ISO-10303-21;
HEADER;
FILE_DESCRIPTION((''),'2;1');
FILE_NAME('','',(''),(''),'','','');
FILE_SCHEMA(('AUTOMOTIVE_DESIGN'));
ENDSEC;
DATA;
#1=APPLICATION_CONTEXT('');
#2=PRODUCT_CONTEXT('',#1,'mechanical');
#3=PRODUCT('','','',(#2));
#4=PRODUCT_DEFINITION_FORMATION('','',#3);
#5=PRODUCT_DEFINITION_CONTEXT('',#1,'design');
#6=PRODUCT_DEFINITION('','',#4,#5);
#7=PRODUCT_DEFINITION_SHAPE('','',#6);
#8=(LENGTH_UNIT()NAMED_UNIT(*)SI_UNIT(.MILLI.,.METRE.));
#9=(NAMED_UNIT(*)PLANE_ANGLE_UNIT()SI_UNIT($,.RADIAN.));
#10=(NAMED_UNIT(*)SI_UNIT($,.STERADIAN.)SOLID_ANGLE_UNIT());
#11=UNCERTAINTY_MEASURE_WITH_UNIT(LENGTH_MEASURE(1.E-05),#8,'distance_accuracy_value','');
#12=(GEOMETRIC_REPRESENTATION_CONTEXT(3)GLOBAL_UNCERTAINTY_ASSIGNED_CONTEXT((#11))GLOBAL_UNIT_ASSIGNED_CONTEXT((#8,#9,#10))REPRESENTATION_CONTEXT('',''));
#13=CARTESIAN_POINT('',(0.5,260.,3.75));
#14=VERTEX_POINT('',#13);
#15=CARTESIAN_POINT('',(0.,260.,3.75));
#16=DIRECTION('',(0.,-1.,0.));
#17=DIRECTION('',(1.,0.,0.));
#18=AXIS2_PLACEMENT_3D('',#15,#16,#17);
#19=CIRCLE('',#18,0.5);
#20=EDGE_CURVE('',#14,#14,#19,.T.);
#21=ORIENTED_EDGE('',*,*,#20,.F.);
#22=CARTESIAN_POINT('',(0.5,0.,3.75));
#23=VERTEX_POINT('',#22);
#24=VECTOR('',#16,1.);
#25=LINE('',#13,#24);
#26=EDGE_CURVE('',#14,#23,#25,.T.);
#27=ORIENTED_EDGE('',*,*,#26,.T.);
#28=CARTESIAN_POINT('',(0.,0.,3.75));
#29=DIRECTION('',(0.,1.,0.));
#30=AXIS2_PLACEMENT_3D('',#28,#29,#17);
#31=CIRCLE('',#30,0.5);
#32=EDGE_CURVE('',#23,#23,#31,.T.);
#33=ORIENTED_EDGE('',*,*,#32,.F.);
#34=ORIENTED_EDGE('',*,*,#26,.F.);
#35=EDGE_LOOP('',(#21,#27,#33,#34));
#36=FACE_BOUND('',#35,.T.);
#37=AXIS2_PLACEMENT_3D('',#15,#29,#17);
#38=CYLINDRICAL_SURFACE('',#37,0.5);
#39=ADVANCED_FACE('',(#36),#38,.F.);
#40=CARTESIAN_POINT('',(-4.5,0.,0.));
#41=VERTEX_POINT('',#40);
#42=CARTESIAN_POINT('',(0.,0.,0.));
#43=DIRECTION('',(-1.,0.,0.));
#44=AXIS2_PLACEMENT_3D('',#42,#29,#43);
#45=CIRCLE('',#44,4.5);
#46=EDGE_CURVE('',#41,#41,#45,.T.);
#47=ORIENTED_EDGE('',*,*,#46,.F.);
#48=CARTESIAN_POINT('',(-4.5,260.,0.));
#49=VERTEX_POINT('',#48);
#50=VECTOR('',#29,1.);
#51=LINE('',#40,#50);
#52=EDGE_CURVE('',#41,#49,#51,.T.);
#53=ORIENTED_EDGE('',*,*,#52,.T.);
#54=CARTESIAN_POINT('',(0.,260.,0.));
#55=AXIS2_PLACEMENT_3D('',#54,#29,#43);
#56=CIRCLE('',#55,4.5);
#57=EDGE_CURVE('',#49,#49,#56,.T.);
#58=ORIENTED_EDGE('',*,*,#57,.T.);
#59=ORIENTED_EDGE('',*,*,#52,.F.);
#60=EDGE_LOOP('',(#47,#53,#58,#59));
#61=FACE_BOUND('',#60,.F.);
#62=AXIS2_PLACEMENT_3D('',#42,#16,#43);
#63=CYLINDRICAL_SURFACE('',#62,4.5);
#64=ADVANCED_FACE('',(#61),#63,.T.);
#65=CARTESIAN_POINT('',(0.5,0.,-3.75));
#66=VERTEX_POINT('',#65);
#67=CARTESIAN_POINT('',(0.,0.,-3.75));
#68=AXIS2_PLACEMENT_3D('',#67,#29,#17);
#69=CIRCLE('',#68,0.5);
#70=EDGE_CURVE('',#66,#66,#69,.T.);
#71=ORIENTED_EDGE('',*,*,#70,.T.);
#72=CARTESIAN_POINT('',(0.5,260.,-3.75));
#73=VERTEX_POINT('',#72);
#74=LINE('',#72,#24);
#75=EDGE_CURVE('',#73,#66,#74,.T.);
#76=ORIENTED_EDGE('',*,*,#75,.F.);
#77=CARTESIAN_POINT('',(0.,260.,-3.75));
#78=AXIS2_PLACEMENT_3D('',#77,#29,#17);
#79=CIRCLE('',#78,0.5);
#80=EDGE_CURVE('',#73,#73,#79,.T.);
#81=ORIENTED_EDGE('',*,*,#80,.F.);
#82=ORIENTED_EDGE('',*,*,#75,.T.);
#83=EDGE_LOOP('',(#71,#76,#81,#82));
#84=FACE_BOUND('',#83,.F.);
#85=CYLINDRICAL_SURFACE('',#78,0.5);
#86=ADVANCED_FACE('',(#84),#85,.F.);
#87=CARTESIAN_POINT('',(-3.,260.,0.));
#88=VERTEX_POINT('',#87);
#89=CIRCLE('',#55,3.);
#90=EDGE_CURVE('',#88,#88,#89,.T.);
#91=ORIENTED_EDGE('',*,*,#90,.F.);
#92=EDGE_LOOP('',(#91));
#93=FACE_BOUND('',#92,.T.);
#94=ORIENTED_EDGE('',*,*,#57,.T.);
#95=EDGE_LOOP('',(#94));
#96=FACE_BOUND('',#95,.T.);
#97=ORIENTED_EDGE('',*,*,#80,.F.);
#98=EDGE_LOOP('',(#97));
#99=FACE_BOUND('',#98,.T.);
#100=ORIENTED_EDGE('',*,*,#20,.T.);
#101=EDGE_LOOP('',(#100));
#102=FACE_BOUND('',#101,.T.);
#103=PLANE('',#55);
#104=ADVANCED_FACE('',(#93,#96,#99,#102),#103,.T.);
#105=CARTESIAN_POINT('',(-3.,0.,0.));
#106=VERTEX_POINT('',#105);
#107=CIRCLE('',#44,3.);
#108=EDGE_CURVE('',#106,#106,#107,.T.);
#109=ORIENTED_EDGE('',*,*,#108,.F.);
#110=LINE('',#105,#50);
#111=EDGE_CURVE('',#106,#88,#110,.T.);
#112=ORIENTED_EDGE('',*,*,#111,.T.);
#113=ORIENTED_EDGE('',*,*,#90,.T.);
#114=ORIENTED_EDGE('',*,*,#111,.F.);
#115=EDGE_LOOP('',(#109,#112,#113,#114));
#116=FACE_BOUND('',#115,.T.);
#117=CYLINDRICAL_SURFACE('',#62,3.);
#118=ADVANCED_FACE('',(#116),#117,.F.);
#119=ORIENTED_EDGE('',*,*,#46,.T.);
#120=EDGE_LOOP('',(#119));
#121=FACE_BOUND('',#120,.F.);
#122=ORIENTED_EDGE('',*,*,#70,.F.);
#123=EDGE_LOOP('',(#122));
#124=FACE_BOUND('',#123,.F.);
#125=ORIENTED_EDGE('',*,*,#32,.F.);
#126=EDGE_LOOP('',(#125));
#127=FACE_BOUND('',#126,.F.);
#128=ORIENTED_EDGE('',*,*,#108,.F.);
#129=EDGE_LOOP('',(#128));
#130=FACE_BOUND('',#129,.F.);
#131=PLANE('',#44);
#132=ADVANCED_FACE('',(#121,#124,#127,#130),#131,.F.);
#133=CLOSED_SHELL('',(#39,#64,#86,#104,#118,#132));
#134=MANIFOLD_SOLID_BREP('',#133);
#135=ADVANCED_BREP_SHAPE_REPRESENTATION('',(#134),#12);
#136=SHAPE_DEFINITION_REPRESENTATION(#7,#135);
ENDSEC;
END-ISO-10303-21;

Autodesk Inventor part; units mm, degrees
ref_plane "YZ Plane" through (0, 0, 0) normal (1, 0, 0) x (0, 1, 0)
ref_plane "XY Plane" through (0, 0, 0) normal (0, 0, 1) x (1, 0, 0)
sketch "Sketch1" plane through (0, 0, 0) normal (0, 1, 0) x (-1, 0, 0)
  circle A0 centre (0, 0) radius 4.5
  circle A1 centre (0, 0) radius 3
  dimension "d0" = 9
  dimension "d1" = 6
extrude "Extrusion1" add sketch "Sketch1" along normal blind 260
ref_plane "Work Plane1" through (0, 130, 0) normal (0, 1, 0) x (-1, 0, 0)
sketch "Sketch2" plane through (0, 260, 0) normal (0, 1, 0) x (1, 0, 0)
  circle A0 centre (0, 3.75) radius 0.5
  point P0 (0, 0)
  dimension "d4" = 1
  dimension "d5" = 3.75
extrude "Extrusion2" cut sketch "Sketch2" against normal through all
mirror "Mirror1" about plane through (0, 0, 0) normal (0, 0, 1) of "Extrusion2"
properties part number "extended_shaft"
